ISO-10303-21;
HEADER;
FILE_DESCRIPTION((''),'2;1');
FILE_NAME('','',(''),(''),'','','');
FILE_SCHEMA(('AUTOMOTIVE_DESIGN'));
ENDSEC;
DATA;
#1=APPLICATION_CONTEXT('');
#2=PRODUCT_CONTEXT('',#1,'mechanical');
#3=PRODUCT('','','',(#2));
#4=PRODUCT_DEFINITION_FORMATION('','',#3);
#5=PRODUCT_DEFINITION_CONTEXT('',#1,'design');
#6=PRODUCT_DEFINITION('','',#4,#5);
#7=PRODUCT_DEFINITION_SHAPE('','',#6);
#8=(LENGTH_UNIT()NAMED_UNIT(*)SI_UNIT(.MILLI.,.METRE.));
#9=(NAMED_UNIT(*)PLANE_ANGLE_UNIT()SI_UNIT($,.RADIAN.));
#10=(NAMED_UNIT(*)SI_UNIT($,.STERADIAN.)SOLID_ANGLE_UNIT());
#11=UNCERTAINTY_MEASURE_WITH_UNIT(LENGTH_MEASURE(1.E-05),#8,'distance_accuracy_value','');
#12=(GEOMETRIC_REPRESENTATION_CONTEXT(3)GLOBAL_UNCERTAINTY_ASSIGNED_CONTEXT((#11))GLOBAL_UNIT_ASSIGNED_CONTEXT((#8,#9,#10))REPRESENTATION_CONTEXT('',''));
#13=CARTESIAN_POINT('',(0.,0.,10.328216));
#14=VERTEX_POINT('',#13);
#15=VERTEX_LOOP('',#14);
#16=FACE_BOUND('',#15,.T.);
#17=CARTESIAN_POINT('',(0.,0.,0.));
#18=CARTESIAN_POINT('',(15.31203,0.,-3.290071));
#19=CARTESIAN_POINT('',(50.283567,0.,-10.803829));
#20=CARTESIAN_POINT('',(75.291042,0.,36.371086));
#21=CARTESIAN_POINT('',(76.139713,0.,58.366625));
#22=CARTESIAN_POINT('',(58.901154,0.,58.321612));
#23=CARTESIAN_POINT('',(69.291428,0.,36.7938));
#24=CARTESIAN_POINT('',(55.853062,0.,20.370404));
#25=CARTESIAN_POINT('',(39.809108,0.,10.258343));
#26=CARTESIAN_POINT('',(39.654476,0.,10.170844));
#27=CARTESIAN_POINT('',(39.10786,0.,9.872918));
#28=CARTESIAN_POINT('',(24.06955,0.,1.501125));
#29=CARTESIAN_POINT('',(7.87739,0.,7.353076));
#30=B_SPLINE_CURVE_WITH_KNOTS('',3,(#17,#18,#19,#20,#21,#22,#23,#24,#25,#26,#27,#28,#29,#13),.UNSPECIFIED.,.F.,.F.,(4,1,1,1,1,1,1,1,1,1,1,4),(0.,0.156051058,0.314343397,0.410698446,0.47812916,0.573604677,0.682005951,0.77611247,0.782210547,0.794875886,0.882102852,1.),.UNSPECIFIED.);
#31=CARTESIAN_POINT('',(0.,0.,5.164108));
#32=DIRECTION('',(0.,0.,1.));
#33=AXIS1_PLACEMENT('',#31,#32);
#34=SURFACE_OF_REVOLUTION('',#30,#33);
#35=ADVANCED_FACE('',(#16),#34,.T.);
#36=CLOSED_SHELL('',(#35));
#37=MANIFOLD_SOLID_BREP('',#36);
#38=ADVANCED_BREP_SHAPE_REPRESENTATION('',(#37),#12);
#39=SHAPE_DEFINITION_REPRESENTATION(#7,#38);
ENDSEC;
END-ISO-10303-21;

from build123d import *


with BuildPart() as f1:
    # F0 (on Front) → F1 (revolve)
    with BuildSketch(Plane.XZ):
        with BuildLine():
            Line((0, 10.3282164782), (0, 0))
            add(Edge.make_bspline(
                [(0, 0), (15.312029679, -3.290071382), (50.2835668154, -10.8038286229), (75.2910423342, 36.37108554), (76.139713351, 58.3666248592), (58.9011540221, 58.3216119291), (69.2914276304, 36.7938002965), (55.8530624643, 20.3704035845), (39.8091077224, 10.2583432955), (39.6544760998, 10.1708436884), (39.1078602634, 9.8729182782), (24.0695497414, 1.5011252399), (7.8773900715, 7.3530762901), (0, 10.3282164782)],
                knots=[0, 0, 0, 0, 0.1560510582, 0.3143433971, 0.4106984463, 0.4781291602, 0.573604677, 0.682005951, 0.7761124705, 0.7822105475, 0.7948758858, 0.8821028521, 1, 1, 1, 1], degree=3))
        make_face()
    revolve(axis=Axis((0, 0, 5.1641082391), (0, 0, 1)))


solid = f1.part
